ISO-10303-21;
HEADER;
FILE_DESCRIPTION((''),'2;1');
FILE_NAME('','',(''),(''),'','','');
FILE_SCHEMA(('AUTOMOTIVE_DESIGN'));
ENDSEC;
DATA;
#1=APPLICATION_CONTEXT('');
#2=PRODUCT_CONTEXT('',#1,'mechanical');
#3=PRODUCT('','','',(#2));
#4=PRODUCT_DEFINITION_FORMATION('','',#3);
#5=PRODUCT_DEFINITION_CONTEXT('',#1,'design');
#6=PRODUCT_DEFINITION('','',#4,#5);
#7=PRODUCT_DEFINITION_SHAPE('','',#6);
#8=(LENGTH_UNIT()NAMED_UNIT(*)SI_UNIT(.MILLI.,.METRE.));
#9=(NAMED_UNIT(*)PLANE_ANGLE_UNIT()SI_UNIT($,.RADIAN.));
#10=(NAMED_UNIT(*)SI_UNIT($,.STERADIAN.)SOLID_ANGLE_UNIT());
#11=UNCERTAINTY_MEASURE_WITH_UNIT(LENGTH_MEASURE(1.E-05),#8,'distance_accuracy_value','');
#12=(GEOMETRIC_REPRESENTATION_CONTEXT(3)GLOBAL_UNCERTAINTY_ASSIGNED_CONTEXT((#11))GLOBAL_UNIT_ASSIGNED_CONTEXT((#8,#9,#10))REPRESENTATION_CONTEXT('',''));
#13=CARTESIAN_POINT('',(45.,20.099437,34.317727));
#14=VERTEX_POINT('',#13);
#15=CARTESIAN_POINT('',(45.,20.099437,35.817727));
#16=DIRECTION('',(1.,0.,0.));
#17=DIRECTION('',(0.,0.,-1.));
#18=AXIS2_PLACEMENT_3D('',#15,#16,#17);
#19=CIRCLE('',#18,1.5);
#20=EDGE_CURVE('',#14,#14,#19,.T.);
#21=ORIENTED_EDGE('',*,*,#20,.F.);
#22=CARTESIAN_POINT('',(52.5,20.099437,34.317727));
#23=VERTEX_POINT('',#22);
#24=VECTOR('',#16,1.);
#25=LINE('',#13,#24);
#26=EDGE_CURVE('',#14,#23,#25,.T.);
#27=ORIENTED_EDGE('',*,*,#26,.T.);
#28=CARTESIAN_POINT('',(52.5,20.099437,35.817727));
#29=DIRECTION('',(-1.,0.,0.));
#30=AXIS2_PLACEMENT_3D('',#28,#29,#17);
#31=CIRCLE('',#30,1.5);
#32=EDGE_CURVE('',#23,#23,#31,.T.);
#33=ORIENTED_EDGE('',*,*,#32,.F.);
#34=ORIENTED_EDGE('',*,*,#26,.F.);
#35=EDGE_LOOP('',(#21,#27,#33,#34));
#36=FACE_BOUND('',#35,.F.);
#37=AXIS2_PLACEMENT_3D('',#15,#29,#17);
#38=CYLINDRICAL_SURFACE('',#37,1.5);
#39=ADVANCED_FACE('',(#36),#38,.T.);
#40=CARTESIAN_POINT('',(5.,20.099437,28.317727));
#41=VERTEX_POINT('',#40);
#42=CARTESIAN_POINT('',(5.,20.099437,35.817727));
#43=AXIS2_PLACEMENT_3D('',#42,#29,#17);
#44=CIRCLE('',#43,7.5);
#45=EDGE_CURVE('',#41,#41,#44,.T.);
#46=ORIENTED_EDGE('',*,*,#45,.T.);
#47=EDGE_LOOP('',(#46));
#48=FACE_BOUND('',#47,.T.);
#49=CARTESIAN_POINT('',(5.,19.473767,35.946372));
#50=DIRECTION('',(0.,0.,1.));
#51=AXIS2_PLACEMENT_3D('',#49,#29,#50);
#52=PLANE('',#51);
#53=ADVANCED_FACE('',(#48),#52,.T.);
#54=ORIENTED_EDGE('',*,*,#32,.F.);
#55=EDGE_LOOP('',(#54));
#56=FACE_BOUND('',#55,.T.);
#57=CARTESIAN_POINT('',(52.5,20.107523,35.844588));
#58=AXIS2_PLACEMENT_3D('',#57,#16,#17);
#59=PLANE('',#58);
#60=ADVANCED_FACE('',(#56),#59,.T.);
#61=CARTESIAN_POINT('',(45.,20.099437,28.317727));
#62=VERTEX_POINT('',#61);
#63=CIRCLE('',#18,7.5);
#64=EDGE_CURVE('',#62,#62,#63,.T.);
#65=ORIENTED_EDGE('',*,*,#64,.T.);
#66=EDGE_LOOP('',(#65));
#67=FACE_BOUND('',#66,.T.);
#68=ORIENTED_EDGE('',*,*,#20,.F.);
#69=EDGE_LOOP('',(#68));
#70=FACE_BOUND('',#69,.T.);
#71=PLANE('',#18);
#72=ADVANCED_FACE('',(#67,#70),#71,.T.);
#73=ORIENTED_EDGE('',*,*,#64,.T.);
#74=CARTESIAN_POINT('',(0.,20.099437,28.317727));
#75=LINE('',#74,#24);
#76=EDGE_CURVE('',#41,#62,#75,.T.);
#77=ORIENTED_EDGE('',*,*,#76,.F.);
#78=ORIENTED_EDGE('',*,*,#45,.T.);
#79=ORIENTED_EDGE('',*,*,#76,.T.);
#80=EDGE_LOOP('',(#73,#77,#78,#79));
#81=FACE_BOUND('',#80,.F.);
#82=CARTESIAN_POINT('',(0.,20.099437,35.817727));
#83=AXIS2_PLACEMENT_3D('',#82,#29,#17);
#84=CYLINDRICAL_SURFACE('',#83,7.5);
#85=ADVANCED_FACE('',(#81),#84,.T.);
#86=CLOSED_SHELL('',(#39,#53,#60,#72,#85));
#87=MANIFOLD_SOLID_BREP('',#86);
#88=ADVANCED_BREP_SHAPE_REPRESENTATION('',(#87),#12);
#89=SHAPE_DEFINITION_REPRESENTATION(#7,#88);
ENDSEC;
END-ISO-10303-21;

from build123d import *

# Parameters (mm, degrees)
SKETCH1_R           = 7.5
BOSS_EXTRUDE1_DEPTH = 45
SKETCH2_R           = 1.5
BOSS_EXTRUDE2_DEPTH = 15
SKETCH3_R           = 19.310171954
CUT_EXTRUDE1_DEPTH  = 5
SKETCH4_R           = 8.741086828
CUT_EXTRUDE2_DEPTH  = 7.5


with BuildPart() as part:
    # Sketch1 → Boss-Extrude1 (new body)
    with BuildSketch(Plane(origin=(0, 0, 0), x_dir=(0, 0, -1), z_dir=(1, 0, 0))):
        with Locations((-35.817726835, 20.099436521)):
            Circle(SKETCH1_R)
    extrude(amount=BOSS_EXTRUDE1_DEPTH)

    # Sketch2 → Boss-Extrude2 (add)
    with BuildSketch(Plane(origin=(45, 0, 0), x_dir=(0, 0, -1), z_dir=(1, 0, 0))):
        with Locations((-35.817726835, 20.099436521)):
            Circle(SKETCH2_R)
    extrude(amount=BOSS_EXTRUDE2_DEPTH)

    # Sketch3 → Cut-Extrude1 (cut)
    with BuildSketch(Plane.ZY):
        with Locations((35.946372141, 19.473767111)):
            Circle(SKETCH3_R)
    extrude(amount=-CUT_EXTRUDE1_DEPTH, mode=Mode.SUBTRACT)

    # Sketch4 → Cut-Extrude2 (cut)
    with BuildSketch(Plane(origin=(60, 0, 0), x_dir=(0, 0, -1), z_dir=(1, 0, 0))):
        with Locations((-35.844588169, 20.10752339)):
            Circle(SKETCH4_R)
    extrude(amount=-CUT_EXTRUDE2_DEPTH, mode=Mode.SUBTRACT)


solid = part.part
